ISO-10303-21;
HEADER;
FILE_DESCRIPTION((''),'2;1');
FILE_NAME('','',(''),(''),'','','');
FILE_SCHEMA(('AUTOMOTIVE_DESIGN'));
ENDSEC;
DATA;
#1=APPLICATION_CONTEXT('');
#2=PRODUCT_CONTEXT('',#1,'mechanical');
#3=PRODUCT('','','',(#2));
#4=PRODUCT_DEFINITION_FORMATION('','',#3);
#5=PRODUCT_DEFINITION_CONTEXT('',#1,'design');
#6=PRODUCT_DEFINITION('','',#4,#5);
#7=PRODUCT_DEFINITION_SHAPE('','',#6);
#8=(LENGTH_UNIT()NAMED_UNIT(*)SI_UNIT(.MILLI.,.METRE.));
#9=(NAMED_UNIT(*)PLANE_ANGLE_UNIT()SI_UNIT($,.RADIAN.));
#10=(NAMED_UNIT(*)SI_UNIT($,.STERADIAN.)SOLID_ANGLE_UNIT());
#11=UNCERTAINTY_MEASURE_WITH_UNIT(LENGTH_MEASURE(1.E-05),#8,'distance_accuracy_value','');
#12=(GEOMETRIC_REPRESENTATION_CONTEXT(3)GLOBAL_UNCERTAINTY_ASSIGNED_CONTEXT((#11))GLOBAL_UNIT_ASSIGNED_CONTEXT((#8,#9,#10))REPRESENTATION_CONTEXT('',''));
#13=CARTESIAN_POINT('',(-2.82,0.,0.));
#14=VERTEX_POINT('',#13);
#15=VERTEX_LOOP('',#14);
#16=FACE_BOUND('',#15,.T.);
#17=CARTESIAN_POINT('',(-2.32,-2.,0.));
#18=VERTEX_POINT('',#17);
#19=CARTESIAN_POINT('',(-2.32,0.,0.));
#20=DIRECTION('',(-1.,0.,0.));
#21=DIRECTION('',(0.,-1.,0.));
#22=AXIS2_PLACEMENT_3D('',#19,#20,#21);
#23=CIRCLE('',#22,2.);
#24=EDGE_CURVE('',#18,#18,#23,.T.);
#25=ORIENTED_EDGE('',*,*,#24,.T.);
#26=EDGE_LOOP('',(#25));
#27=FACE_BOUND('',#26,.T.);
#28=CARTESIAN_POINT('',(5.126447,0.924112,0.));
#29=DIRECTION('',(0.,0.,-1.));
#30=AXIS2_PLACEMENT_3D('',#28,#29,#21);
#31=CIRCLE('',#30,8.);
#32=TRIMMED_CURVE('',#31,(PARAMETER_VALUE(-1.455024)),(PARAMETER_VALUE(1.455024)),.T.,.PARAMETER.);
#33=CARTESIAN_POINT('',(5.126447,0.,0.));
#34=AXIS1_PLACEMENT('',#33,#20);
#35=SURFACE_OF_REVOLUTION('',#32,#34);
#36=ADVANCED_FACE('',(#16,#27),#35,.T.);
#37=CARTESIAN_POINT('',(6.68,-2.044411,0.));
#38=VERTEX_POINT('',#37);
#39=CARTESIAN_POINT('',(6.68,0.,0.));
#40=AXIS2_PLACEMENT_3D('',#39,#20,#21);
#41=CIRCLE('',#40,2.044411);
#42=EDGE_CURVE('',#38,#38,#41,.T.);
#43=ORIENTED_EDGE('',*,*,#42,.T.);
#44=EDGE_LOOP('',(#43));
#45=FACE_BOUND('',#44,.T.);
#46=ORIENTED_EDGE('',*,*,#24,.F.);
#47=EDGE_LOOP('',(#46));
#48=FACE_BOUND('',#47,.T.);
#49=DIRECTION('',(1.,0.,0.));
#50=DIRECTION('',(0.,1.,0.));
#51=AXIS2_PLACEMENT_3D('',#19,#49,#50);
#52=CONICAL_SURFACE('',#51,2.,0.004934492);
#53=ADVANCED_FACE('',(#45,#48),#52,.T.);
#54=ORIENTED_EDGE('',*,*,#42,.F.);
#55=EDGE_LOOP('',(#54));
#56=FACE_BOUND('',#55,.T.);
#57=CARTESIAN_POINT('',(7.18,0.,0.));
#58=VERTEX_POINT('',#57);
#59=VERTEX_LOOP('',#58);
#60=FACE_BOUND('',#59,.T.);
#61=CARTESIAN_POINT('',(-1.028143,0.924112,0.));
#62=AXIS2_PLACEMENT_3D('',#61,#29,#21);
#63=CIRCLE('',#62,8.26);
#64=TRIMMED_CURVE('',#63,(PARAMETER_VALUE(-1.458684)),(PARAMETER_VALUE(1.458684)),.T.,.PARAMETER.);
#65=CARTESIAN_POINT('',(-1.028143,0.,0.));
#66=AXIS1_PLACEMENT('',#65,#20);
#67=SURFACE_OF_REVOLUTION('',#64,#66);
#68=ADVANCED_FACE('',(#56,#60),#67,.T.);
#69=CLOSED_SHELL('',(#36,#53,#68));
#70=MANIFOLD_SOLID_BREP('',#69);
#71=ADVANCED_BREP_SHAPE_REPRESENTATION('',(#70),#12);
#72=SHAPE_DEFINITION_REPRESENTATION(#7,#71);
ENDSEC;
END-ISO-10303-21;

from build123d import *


with BuildPart() as part:
    # 草图1 → Revolve 599 (revolve)
    with BuildSketch(Plane.XY):
        with BuildLine():
            Line((-2.82, 0), (7.18, 0))
            ThreePointArc((7.18, 0), (6.995381402, -1.038195673), (6.68, -2.044410786))
            Line((6.68, -2.044410786), (-2.32, -2))
            ThreePointArc((-2.32, -2), (-2.634693151, -1.016173288), (-2.82, 0))
        make_face()
    revolve(axis=Axis((0, 0, 0), (1, 0, 0)))


solid = part.part
